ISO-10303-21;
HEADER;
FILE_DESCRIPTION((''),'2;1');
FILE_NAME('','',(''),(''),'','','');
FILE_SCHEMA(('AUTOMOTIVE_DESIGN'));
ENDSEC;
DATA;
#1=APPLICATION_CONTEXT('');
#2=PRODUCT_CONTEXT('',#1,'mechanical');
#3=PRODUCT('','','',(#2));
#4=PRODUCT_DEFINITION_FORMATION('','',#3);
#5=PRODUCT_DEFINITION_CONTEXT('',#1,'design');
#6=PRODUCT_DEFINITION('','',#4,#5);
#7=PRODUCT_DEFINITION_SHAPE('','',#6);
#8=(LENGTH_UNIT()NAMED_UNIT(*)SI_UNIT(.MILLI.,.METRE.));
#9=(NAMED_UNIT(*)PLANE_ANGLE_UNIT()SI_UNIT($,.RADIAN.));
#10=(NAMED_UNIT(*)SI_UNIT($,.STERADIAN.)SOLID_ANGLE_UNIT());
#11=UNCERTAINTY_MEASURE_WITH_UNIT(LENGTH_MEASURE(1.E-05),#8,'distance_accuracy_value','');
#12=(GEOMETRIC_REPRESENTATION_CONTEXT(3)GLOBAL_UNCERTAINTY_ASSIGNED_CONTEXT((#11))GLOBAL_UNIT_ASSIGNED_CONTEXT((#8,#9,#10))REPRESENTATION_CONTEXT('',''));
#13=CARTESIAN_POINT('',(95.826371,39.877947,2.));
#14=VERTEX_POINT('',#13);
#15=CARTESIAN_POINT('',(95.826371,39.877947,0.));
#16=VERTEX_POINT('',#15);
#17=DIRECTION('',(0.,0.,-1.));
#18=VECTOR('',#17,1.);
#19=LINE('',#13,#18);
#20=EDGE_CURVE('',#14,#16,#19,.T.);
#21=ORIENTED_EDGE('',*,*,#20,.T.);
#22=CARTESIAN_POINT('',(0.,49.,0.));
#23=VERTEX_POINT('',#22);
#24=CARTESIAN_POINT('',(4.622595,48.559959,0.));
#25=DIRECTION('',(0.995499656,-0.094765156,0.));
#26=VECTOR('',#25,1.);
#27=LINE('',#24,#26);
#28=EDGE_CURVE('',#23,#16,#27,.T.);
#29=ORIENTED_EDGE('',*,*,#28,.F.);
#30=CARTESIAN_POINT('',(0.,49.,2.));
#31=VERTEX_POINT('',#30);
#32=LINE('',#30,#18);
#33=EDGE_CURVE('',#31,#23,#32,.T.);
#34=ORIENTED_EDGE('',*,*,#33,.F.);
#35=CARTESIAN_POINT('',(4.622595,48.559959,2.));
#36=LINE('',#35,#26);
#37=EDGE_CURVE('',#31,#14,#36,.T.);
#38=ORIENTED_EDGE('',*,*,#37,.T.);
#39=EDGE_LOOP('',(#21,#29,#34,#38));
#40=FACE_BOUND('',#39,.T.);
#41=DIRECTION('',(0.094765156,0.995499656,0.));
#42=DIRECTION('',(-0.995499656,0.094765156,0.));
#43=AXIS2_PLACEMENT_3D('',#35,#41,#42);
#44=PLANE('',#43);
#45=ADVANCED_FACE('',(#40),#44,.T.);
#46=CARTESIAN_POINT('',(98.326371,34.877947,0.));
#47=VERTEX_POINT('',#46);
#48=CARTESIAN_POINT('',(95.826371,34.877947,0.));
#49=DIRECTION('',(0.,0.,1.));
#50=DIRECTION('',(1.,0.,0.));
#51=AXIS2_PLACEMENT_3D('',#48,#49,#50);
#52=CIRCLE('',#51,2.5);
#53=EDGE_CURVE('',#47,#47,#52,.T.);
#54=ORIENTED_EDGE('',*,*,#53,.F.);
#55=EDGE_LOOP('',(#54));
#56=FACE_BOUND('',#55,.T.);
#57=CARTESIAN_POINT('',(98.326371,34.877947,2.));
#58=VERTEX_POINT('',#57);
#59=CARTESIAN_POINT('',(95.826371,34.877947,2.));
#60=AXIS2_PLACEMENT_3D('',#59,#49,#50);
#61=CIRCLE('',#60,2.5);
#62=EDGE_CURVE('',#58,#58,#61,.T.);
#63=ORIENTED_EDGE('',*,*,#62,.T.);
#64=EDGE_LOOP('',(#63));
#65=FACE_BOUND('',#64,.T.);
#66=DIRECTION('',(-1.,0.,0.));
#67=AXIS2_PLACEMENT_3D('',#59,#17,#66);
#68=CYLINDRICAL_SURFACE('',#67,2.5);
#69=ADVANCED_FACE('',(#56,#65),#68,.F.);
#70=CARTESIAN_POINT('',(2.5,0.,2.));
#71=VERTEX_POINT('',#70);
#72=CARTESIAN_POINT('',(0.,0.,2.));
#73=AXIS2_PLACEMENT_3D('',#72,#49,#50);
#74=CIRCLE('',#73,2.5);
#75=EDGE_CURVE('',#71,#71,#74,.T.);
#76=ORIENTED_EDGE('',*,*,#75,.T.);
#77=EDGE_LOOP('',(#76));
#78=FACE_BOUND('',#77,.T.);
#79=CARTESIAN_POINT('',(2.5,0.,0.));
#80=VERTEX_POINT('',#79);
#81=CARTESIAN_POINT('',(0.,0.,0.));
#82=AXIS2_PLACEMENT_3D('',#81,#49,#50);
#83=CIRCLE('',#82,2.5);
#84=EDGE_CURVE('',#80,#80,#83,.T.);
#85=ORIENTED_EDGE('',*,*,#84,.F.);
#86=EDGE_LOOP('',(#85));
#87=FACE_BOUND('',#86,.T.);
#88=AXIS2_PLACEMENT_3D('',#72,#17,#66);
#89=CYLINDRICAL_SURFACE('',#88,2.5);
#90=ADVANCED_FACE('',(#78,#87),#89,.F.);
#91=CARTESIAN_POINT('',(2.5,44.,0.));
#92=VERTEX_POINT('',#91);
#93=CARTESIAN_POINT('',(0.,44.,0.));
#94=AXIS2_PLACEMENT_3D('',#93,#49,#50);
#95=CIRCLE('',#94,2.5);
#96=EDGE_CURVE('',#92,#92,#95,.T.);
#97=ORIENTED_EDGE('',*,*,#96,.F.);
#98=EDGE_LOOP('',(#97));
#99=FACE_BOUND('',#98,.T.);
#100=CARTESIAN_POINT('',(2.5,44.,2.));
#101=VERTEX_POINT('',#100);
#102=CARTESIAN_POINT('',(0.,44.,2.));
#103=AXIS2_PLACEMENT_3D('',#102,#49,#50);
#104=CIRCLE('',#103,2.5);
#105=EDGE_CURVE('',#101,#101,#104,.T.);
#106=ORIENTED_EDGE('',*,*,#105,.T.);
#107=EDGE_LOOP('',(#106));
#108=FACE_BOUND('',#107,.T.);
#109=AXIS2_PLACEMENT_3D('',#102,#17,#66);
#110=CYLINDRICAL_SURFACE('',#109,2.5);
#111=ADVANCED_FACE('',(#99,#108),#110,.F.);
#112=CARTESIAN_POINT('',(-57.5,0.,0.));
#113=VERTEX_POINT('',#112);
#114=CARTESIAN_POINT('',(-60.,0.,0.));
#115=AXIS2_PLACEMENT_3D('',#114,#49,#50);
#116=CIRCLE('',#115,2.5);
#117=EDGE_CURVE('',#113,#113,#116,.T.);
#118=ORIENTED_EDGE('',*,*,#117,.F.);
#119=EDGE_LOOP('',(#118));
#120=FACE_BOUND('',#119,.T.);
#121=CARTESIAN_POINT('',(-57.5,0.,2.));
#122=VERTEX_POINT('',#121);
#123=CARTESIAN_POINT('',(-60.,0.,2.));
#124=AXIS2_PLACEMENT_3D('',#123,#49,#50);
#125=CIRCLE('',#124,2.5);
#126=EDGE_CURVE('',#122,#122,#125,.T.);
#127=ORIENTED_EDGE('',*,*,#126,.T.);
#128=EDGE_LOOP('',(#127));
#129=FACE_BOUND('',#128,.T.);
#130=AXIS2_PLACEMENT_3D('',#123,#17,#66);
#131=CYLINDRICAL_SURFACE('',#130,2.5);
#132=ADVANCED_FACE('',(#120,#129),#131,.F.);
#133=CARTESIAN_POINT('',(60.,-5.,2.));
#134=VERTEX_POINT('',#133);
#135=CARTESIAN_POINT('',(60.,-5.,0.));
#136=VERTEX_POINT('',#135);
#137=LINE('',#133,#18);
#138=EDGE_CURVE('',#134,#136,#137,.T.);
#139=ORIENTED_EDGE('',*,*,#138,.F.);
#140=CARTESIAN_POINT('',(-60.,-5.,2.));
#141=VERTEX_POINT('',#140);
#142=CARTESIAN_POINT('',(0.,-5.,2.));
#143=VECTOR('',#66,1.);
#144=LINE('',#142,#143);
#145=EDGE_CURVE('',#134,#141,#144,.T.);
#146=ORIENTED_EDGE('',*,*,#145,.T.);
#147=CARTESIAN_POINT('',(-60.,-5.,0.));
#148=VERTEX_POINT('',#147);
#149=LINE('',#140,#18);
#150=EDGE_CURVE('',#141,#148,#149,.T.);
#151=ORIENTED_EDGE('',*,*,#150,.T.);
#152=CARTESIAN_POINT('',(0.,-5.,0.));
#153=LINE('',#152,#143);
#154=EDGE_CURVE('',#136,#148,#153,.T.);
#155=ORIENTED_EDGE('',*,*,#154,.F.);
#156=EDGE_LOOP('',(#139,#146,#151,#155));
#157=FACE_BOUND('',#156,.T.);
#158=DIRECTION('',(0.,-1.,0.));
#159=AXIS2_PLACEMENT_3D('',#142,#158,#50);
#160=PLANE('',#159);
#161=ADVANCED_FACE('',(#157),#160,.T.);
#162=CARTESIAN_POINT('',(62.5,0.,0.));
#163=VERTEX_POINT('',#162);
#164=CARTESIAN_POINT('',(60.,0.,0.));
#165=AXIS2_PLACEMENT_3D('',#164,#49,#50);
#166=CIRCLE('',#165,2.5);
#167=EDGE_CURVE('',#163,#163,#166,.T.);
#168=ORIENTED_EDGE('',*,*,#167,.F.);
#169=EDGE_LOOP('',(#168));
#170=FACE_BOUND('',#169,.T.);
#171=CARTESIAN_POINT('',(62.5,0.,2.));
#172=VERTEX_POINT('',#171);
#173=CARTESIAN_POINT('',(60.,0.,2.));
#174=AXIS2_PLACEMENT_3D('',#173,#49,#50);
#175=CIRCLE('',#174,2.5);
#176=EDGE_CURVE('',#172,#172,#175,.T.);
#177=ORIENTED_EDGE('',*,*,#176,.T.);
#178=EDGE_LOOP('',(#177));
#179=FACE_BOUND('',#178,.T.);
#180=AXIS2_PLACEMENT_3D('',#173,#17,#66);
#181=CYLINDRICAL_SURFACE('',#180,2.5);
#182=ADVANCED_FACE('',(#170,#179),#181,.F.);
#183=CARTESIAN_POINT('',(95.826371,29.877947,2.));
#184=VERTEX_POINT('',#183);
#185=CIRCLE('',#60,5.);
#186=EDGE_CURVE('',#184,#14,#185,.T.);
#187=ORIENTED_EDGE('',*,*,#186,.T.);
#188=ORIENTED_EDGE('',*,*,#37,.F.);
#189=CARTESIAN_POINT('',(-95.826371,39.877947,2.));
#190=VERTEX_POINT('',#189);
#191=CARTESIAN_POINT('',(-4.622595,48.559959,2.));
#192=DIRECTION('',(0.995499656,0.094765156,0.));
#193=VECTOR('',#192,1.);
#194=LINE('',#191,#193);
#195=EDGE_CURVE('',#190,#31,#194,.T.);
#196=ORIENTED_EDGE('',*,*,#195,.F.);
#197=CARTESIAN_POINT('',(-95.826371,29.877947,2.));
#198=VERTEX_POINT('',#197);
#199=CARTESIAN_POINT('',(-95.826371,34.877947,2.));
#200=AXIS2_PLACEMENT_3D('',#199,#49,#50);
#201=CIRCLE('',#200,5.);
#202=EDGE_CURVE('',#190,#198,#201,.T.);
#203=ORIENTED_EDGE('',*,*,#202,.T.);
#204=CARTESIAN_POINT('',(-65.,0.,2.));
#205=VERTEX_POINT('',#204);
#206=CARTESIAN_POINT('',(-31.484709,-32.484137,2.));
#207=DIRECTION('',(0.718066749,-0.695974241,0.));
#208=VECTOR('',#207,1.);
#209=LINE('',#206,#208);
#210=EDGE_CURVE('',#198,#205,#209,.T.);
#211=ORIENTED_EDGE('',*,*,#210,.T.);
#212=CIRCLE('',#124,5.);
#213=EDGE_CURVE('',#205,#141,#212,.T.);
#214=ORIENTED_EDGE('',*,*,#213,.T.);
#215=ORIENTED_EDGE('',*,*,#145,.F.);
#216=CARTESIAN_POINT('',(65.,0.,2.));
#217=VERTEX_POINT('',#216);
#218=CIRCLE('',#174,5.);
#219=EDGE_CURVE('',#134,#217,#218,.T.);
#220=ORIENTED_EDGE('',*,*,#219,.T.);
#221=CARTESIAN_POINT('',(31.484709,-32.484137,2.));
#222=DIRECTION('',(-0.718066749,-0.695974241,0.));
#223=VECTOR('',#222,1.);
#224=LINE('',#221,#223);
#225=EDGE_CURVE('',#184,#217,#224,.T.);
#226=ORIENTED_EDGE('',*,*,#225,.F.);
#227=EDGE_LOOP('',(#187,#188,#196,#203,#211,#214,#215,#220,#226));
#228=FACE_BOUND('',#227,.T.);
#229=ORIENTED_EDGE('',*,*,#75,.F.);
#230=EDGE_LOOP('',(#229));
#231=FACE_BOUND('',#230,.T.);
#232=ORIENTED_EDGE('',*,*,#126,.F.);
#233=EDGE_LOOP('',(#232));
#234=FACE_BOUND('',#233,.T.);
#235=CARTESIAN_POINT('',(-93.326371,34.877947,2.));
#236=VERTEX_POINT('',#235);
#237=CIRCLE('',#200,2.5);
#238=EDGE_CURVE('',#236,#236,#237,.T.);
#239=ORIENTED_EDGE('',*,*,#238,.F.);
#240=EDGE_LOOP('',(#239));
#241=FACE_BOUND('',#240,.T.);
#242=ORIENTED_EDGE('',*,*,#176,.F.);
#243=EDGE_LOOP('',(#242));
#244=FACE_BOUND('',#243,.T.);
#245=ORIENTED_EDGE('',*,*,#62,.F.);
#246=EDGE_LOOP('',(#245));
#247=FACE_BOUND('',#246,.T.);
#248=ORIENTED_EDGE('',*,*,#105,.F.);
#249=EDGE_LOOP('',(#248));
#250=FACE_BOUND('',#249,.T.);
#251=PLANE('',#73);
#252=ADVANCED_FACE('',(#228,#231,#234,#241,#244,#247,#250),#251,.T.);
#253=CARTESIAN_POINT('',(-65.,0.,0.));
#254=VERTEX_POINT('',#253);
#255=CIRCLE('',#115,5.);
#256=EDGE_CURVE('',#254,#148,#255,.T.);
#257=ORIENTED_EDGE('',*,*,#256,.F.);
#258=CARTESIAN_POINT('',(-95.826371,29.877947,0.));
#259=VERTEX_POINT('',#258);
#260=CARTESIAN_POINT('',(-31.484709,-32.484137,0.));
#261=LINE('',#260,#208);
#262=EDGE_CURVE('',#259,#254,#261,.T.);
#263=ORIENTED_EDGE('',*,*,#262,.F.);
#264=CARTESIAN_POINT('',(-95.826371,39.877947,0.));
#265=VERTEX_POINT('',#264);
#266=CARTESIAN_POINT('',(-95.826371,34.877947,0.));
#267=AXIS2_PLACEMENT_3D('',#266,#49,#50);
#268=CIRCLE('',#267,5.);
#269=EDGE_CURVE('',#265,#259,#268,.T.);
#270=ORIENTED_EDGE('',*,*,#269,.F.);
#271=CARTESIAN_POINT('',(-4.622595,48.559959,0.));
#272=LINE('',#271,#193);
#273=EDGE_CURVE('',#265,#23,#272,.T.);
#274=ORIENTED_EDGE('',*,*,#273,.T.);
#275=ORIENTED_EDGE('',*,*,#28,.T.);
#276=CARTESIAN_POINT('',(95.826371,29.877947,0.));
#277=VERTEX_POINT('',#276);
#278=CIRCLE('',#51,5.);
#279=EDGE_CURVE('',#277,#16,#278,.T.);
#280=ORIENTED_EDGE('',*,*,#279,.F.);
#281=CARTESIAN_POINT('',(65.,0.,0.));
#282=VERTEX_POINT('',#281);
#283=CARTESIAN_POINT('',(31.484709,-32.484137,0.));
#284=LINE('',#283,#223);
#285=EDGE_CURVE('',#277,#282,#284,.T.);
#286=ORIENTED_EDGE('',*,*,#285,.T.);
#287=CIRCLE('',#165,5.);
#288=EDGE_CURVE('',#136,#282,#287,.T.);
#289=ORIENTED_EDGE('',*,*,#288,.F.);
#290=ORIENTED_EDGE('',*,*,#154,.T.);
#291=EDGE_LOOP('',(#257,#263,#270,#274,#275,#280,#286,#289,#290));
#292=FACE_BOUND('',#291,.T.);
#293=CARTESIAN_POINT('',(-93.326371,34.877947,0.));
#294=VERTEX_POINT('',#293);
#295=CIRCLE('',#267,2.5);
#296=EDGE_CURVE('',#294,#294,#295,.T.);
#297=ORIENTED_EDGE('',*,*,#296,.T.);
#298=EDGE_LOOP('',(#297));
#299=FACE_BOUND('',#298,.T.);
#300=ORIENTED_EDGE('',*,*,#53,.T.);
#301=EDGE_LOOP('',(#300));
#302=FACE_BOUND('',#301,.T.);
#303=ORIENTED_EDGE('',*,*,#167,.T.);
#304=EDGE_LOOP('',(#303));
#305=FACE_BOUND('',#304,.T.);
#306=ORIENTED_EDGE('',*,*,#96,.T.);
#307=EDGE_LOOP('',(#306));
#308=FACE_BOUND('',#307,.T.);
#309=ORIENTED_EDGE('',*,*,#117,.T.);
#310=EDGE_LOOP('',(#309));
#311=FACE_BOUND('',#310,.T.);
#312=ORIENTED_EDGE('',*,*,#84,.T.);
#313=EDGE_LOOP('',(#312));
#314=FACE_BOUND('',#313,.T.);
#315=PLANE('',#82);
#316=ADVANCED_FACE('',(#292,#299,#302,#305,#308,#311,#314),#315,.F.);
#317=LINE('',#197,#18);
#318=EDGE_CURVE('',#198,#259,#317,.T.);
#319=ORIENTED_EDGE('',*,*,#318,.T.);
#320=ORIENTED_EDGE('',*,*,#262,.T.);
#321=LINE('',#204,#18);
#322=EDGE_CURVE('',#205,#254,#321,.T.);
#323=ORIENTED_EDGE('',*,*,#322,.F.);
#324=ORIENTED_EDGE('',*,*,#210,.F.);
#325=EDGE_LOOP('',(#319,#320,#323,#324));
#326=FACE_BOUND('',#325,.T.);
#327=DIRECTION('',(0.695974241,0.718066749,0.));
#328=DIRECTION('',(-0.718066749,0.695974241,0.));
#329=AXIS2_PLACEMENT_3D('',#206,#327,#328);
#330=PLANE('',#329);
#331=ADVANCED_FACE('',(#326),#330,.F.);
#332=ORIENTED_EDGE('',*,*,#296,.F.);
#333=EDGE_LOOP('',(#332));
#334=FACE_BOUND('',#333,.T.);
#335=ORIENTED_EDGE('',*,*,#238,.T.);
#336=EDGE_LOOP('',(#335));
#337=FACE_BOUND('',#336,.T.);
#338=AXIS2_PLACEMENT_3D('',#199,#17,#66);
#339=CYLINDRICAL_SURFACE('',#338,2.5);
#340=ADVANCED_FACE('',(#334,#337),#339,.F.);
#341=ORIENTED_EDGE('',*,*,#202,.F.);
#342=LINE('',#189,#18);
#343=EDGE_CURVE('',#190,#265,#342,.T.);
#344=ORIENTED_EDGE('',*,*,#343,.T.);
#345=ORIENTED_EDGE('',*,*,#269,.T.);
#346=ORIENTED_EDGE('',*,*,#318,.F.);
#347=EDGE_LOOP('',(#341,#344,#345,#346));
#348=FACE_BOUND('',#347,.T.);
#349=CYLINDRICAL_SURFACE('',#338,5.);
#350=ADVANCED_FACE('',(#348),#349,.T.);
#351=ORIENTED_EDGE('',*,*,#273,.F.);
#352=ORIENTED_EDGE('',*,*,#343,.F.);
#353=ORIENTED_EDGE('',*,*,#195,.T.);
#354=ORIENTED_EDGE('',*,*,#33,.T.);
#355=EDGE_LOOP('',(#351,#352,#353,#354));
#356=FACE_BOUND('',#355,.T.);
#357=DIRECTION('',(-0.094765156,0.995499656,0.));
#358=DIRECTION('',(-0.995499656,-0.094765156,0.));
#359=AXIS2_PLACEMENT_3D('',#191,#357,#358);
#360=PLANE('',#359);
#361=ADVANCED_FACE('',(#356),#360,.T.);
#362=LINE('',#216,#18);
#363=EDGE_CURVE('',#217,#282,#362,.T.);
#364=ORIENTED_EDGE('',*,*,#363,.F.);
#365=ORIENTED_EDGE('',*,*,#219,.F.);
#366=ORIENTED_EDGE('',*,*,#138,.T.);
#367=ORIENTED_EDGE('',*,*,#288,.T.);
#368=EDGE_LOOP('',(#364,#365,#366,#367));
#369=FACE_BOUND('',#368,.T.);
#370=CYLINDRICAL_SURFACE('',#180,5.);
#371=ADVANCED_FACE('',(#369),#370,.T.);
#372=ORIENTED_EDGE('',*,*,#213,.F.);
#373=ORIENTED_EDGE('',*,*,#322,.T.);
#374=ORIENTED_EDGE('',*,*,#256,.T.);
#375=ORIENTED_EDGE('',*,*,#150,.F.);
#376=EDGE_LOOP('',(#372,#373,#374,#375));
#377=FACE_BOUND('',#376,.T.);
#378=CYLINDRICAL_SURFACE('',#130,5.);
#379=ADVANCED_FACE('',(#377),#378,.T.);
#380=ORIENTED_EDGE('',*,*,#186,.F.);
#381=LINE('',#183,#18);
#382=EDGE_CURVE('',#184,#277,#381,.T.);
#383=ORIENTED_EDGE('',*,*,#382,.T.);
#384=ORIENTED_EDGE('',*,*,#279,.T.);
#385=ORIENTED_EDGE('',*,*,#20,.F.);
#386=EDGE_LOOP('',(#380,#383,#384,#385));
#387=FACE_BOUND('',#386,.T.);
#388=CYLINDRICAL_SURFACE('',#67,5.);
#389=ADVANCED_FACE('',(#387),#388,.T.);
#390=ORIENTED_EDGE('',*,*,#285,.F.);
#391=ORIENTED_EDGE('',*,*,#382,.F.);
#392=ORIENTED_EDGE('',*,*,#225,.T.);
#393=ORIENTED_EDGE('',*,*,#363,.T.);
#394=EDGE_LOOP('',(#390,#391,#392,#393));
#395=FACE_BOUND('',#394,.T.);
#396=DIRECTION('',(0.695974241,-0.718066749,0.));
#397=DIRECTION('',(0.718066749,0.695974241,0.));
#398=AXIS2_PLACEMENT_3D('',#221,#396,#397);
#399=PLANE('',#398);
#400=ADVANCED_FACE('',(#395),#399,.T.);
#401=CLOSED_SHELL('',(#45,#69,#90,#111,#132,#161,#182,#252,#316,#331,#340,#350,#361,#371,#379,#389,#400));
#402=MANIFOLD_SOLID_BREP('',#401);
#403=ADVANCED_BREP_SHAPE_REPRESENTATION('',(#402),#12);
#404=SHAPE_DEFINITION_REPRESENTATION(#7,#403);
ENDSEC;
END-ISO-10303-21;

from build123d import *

# Parameters (mm, degrees)
SKETCH1_R           = 2.5
BOSS_EXTRUDE1_DEPTH = 2


with BuildPart() as part:
    # Sketch1 → Boss-Extrude1 (new body)
    with BuildSketch(Plane.XY):
        with BuildLine():
            ThreePointArc((-95.826370741, 39.877946607), (-100.826370741, 34.877946607), (-95.826370741, 29.877946607))
            Line((-95.826370741, 29.877946607), (-65, 0))
            ThreePointArc((-65, 0), (-63.535533906, -3.535533906), (-60, -5))
            Line((-60, -5), (60, -5))
            ThreePointArc((60, -5), (63.535533906, -3.535533906), (65, 0))
            Line((65, 0), (95.826370741, 29.877946607))
            ThreePointArc((95.826370741, 29.877946607), (100.826370741, 34.877946607), (95.826370741, 39.877946607))
            Line((95.826370741, 39.877946607), (0, 49))
            Line((0, 49), (-95.826370741, 39.877946607))
        make_face()
        Circle(SKETCH1_R, mode=Mode.SUBTRACT)
        with Locations((-95.826370741, 34.877946607)):
            Circle(SKETCH1_R, mode=Mode.SUBTRACT)
        with Locations((0, 44)):
            Circle(SKETCH1_R, mode=Mode.SUBTRACT)
        with Locations((-60, 0)):
            Circle(SKETCH1_R, mode=Mode.SUBTRACT)
        with Locations((95.826370741, 34.877946607)):
            Circle(SKETCH1_R, mode=Mode.SUBTRACT)
        with Locations((60, 0)):
            Circle(SKETCH1_R, mode=Mode.SUBTRACT)
    extrude(amount=BOSS_EXTRUDE1_DEPTH)


solid = part.part
